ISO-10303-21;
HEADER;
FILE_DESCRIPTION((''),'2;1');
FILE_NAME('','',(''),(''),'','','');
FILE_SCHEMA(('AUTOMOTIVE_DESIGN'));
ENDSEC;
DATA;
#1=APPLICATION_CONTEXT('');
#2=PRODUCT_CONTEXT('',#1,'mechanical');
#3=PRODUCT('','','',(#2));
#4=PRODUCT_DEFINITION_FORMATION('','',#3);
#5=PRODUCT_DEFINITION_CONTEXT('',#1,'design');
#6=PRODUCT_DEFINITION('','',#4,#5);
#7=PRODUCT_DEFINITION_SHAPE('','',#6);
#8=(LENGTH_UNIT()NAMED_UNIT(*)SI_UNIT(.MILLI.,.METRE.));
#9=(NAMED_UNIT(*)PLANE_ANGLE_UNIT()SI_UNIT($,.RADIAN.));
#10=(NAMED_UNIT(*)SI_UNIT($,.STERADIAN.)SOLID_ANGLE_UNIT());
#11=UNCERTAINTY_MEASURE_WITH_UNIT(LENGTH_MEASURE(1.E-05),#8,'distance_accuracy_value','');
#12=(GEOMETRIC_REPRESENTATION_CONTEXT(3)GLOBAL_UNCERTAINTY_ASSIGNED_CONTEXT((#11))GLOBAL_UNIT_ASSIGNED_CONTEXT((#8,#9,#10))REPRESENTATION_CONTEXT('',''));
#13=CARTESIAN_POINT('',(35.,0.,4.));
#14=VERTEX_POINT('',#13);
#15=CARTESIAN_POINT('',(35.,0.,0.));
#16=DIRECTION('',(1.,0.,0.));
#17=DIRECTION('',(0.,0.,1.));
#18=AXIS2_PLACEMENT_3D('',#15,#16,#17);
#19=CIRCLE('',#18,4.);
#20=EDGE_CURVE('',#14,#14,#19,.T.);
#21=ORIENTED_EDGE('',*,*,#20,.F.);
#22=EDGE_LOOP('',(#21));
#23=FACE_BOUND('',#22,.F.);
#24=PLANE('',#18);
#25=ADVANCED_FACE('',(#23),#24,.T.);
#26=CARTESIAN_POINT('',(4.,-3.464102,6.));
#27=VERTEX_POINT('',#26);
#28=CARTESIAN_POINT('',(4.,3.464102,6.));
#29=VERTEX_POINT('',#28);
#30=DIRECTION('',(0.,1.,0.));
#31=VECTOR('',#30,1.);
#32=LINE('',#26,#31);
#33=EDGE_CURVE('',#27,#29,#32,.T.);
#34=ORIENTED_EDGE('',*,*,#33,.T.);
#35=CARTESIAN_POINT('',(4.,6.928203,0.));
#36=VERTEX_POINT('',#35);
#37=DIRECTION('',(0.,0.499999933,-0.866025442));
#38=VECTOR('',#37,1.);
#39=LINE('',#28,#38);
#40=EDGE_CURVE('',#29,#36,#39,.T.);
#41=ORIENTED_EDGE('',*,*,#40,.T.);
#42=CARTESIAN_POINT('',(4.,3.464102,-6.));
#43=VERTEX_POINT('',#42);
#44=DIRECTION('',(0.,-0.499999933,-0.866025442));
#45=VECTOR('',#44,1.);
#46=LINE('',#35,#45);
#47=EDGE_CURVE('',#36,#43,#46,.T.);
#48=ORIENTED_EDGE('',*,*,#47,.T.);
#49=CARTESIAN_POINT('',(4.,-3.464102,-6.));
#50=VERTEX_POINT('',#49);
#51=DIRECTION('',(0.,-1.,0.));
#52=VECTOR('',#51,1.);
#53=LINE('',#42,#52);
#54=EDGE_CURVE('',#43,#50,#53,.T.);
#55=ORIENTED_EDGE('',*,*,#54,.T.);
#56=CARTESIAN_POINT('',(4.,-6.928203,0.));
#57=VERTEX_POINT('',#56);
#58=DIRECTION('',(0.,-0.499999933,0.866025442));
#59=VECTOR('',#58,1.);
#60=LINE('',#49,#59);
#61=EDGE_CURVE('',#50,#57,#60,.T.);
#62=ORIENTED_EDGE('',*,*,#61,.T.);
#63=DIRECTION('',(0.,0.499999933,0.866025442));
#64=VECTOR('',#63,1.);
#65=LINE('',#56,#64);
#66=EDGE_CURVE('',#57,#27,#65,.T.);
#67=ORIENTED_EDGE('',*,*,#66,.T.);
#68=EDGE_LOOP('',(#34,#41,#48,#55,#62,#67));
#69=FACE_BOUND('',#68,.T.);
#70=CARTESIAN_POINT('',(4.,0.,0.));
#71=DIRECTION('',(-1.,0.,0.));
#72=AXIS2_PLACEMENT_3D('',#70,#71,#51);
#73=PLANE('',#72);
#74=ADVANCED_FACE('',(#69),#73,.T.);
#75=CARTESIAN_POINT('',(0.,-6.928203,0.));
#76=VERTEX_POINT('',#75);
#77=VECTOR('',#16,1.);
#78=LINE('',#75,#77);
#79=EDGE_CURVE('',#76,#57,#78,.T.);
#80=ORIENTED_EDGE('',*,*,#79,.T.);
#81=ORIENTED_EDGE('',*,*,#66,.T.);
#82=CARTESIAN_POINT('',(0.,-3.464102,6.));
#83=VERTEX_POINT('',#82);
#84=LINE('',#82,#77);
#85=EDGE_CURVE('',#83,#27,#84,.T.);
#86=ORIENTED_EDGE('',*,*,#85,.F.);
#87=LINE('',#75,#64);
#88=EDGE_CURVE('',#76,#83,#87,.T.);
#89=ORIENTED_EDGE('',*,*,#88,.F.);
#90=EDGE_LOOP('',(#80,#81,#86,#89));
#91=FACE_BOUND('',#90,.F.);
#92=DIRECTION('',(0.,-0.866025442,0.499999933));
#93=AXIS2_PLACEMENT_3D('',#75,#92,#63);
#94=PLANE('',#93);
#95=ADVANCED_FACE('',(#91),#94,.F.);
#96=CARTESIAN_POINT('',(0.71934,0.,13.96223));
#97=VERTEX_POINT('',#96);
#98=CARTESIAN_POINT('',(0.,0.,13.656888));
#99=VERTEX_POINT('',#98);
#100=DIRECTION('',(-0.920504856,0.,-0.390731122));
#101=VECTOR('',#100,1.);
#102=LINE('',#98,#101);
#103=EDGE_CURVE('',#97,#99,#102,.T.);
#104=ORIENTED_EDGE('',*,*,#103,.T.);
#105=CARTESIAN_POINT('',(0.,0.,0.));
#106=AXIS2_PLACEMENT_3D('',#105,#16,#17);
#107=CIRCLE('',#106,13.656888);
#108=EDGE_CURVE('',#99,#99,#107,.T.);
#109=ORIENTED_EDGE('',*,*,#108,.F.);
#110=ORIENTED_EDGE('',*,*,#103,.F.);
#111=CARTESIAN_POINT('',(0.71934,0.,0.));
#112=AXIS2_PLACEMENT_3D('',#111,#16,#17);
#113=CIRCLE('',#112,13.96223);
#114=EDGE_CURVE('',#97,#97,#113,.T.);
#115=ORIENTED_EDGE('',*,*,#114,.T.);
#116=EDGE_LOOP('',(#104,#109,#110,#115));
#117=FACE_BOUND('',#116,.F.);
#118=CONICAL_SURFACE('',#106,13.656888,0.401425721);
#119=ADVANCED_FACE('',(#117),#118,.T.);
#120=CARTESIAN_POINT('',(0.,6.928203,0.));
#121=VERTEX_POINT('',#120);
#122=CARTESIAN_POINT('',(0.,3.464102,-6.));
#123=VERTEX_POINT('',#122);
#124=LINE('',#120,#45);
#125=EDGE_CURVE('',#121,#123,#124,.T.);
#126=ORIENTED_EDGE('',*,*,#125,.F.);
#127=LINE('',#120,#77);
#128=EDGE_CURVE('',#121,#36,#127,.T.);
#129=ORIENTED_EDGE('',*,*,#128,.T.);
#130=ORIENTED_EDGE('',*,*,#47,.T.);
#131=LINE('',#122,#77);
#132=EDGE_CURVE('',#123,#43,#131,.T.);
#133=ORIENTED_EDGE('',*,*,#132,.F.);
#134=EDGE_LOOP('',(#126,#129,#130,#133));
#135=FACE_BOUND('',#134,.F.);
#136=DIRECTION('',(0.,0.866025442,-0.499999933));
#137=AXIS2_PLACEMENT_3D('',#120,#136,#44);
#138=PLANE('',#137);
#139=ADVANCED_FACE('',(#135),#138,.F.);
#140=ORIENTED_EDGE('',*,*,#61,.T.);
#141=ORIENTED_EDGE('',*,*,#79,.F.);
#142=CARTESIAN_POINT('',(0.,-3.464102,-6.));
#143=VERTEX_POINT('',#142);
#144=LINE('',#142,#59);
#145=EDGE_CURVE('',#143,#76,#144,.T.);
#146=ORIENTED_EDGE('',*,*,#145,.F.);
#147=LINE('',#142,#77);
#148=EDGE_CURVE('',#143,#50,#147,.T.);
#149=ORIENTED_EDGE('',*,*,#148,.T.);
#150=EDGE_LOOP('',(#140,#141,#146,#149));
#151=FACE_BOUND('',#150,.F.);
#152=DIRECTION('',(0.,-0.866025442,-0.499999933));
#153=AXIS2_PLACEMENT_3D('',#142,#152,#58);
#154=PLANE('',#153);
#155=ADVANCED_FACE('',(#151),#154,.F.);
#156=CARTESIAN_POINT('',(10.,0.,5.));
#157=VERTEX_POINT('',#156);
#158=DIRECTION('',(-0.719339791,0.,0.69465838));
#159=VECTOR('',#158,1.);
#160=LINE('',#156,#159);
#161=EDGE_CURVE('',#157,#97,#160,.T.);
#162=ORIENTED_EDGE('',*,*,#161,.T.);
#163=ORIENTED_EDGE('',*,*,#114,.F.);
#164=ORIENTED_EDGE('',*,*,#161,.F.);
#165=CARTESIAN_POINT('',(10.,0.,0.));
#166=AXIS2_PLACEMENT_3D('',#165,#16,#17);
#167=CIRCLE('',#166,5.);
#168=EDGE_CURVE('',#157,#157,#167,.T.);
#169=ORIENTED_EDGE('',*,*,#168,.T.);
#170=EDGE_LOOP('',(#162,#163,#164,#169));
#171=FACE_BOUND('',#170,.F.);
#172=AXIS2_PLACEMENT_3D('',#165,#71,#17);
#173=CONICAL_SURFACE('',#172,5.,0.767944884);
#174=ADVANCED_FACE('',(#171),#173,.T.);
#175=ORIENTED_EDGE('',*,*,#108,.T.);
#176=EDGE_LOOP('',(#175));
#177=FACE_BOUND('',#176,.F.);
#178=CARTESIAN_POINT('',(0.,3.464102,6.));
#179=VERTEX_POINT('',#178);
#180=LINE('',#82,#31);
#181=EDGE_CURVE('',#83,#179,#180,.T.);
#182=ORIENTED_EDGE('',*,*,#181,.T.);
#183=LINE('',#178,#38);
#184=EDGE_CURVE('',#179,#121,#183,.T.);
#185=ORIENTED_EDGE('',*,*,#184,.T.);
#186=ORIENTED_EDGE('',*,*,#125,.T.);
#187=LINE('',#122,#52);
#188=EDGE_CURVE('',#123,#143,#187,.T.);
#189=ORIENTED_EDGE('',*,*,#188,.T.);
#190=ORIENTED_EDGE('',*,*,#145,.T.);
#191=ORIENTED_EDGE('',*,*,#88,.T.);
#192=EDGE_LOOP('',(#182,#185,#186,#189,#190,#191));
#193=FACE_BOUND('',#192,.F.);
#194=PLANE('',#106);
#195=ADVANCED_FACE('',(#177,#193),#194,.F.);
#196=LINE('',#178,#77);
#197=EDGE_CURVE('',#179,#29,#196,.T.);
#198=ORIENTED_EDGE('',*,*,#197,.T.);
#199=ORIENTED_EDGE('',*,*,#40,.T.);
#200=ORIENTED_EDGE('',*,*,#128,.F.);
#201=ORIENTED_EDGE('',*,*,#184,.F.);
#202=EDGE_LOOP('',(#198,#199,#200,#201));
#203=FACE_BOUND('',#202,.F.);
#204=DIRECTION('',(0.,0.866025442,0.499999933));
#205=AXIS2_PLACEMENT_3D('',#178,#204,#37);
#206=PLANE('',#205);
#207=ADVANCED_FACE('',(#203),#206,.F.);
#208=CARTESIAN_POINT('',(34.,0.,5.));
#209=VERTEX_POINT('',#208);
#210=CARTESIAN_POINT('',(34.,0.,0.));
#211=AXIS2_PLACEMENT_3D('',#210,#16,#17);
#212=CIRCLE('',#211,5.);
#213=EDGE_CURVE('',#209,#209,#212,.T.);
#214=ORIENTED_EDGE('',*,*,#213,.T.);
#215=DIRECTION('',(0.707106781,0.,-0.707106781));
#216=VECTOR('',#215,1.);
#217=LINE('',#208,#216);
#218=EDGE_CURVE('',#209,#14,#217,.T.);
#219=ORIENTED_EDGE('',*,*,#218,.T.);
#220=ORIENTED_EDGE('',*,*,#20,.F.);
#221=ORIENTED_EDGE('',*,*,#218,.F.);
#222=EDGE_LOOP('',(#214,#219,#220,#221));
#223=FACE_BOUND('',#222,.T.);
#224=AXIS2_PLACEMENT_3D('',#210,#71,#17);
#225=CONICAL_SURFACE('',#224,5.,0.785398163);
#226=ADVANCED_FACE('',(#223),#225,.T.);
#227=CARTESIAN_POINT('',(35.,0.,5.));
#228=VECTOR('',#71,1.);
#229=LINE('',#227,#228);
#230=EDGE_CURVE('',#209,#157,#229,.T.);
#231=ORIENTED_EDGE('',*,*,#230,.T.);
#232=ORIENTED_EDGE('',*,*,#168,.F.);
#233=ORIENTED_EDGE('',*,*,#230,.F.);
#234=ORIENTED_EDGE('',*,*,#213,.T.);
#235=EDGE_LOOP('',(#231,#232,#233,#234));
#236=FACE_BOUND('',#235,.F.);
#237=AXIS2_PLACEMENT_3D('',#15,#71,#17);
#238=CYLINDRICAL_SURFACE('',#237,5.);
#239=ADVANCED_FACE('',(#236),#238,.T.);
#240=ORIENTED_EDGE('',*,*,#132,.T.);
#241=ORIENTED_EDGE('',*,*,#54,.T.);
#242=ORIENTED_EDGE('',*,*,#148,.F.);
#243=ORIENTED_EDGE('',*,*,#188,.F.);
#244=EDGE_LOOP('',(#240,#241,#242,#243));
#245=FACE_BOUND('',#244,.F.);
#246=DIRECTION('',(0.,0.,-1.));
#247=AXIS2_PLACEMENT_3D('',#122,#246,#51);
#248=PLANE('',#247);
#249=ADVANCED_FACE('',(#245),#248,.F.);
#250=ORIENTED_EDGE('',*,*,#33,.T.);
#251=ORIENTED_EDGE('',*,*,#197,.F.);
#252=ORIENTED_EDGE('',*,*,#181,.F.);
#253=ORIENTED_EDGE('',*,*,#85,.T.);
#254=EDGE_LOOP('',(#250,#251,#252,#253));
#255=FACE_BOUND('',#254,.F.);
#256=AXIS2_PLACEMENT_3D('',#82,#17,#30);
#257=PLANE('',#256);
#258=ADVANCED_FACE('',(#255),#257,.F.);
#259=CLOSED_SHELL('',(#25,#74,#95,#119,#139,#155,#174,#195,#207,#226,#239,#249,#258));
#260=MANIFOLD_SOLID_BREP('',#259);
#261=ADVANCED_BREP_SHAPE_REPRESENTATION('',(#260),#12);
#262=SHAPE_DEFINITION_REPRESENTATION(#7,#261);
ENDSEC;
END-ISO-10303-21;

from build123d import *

# Parameters (mm, degrees)
F3_DEPTH = 4
F4_SIZE  = 1
F5_SIZE  = 1


with BuildPart() as f1:
    # F0 (on Front) → F1 (revolve)
    with BuildSketch(Plane.XZ):
        Polygon((0, 14.656888), (0, 0), (35, 0), (35, 5), (10, 5), align=None)
    revolve(axis=Axis((41.428571, 0, 0), (1, 0, 0)))

    # F2 (on face) → F3 (cut)
    with BuildSketch(Plane(origin=(0, 0, 0), x_dir=(0, -1, 0), z_dir=(-1, 0, 0))):
        Polygon((-3.464102, -6), (3.464102, -6), (6.928203, 0), (3.464102, 6), (-3.464102, 6), (-6.928203, 0), align=None)
    extrude(amount=-F3_DEPTH, mode=Mode.SUBTRACT)

    # F4
    f4_edges = [f1.edges().sort_by_distance(p)[0] for p in [
        (35, 0, -5),
    ]]
    chamfer(f4_edges, length=F4_SIZE)

    # F5
    f5_edges = [f1.edges().sort_by_distance(p)[0] for p in [
        (0, 0, -14.656888),
    ]]
    chamfer(f5_edges, length=F5_SIZE)


solid = f1.part
